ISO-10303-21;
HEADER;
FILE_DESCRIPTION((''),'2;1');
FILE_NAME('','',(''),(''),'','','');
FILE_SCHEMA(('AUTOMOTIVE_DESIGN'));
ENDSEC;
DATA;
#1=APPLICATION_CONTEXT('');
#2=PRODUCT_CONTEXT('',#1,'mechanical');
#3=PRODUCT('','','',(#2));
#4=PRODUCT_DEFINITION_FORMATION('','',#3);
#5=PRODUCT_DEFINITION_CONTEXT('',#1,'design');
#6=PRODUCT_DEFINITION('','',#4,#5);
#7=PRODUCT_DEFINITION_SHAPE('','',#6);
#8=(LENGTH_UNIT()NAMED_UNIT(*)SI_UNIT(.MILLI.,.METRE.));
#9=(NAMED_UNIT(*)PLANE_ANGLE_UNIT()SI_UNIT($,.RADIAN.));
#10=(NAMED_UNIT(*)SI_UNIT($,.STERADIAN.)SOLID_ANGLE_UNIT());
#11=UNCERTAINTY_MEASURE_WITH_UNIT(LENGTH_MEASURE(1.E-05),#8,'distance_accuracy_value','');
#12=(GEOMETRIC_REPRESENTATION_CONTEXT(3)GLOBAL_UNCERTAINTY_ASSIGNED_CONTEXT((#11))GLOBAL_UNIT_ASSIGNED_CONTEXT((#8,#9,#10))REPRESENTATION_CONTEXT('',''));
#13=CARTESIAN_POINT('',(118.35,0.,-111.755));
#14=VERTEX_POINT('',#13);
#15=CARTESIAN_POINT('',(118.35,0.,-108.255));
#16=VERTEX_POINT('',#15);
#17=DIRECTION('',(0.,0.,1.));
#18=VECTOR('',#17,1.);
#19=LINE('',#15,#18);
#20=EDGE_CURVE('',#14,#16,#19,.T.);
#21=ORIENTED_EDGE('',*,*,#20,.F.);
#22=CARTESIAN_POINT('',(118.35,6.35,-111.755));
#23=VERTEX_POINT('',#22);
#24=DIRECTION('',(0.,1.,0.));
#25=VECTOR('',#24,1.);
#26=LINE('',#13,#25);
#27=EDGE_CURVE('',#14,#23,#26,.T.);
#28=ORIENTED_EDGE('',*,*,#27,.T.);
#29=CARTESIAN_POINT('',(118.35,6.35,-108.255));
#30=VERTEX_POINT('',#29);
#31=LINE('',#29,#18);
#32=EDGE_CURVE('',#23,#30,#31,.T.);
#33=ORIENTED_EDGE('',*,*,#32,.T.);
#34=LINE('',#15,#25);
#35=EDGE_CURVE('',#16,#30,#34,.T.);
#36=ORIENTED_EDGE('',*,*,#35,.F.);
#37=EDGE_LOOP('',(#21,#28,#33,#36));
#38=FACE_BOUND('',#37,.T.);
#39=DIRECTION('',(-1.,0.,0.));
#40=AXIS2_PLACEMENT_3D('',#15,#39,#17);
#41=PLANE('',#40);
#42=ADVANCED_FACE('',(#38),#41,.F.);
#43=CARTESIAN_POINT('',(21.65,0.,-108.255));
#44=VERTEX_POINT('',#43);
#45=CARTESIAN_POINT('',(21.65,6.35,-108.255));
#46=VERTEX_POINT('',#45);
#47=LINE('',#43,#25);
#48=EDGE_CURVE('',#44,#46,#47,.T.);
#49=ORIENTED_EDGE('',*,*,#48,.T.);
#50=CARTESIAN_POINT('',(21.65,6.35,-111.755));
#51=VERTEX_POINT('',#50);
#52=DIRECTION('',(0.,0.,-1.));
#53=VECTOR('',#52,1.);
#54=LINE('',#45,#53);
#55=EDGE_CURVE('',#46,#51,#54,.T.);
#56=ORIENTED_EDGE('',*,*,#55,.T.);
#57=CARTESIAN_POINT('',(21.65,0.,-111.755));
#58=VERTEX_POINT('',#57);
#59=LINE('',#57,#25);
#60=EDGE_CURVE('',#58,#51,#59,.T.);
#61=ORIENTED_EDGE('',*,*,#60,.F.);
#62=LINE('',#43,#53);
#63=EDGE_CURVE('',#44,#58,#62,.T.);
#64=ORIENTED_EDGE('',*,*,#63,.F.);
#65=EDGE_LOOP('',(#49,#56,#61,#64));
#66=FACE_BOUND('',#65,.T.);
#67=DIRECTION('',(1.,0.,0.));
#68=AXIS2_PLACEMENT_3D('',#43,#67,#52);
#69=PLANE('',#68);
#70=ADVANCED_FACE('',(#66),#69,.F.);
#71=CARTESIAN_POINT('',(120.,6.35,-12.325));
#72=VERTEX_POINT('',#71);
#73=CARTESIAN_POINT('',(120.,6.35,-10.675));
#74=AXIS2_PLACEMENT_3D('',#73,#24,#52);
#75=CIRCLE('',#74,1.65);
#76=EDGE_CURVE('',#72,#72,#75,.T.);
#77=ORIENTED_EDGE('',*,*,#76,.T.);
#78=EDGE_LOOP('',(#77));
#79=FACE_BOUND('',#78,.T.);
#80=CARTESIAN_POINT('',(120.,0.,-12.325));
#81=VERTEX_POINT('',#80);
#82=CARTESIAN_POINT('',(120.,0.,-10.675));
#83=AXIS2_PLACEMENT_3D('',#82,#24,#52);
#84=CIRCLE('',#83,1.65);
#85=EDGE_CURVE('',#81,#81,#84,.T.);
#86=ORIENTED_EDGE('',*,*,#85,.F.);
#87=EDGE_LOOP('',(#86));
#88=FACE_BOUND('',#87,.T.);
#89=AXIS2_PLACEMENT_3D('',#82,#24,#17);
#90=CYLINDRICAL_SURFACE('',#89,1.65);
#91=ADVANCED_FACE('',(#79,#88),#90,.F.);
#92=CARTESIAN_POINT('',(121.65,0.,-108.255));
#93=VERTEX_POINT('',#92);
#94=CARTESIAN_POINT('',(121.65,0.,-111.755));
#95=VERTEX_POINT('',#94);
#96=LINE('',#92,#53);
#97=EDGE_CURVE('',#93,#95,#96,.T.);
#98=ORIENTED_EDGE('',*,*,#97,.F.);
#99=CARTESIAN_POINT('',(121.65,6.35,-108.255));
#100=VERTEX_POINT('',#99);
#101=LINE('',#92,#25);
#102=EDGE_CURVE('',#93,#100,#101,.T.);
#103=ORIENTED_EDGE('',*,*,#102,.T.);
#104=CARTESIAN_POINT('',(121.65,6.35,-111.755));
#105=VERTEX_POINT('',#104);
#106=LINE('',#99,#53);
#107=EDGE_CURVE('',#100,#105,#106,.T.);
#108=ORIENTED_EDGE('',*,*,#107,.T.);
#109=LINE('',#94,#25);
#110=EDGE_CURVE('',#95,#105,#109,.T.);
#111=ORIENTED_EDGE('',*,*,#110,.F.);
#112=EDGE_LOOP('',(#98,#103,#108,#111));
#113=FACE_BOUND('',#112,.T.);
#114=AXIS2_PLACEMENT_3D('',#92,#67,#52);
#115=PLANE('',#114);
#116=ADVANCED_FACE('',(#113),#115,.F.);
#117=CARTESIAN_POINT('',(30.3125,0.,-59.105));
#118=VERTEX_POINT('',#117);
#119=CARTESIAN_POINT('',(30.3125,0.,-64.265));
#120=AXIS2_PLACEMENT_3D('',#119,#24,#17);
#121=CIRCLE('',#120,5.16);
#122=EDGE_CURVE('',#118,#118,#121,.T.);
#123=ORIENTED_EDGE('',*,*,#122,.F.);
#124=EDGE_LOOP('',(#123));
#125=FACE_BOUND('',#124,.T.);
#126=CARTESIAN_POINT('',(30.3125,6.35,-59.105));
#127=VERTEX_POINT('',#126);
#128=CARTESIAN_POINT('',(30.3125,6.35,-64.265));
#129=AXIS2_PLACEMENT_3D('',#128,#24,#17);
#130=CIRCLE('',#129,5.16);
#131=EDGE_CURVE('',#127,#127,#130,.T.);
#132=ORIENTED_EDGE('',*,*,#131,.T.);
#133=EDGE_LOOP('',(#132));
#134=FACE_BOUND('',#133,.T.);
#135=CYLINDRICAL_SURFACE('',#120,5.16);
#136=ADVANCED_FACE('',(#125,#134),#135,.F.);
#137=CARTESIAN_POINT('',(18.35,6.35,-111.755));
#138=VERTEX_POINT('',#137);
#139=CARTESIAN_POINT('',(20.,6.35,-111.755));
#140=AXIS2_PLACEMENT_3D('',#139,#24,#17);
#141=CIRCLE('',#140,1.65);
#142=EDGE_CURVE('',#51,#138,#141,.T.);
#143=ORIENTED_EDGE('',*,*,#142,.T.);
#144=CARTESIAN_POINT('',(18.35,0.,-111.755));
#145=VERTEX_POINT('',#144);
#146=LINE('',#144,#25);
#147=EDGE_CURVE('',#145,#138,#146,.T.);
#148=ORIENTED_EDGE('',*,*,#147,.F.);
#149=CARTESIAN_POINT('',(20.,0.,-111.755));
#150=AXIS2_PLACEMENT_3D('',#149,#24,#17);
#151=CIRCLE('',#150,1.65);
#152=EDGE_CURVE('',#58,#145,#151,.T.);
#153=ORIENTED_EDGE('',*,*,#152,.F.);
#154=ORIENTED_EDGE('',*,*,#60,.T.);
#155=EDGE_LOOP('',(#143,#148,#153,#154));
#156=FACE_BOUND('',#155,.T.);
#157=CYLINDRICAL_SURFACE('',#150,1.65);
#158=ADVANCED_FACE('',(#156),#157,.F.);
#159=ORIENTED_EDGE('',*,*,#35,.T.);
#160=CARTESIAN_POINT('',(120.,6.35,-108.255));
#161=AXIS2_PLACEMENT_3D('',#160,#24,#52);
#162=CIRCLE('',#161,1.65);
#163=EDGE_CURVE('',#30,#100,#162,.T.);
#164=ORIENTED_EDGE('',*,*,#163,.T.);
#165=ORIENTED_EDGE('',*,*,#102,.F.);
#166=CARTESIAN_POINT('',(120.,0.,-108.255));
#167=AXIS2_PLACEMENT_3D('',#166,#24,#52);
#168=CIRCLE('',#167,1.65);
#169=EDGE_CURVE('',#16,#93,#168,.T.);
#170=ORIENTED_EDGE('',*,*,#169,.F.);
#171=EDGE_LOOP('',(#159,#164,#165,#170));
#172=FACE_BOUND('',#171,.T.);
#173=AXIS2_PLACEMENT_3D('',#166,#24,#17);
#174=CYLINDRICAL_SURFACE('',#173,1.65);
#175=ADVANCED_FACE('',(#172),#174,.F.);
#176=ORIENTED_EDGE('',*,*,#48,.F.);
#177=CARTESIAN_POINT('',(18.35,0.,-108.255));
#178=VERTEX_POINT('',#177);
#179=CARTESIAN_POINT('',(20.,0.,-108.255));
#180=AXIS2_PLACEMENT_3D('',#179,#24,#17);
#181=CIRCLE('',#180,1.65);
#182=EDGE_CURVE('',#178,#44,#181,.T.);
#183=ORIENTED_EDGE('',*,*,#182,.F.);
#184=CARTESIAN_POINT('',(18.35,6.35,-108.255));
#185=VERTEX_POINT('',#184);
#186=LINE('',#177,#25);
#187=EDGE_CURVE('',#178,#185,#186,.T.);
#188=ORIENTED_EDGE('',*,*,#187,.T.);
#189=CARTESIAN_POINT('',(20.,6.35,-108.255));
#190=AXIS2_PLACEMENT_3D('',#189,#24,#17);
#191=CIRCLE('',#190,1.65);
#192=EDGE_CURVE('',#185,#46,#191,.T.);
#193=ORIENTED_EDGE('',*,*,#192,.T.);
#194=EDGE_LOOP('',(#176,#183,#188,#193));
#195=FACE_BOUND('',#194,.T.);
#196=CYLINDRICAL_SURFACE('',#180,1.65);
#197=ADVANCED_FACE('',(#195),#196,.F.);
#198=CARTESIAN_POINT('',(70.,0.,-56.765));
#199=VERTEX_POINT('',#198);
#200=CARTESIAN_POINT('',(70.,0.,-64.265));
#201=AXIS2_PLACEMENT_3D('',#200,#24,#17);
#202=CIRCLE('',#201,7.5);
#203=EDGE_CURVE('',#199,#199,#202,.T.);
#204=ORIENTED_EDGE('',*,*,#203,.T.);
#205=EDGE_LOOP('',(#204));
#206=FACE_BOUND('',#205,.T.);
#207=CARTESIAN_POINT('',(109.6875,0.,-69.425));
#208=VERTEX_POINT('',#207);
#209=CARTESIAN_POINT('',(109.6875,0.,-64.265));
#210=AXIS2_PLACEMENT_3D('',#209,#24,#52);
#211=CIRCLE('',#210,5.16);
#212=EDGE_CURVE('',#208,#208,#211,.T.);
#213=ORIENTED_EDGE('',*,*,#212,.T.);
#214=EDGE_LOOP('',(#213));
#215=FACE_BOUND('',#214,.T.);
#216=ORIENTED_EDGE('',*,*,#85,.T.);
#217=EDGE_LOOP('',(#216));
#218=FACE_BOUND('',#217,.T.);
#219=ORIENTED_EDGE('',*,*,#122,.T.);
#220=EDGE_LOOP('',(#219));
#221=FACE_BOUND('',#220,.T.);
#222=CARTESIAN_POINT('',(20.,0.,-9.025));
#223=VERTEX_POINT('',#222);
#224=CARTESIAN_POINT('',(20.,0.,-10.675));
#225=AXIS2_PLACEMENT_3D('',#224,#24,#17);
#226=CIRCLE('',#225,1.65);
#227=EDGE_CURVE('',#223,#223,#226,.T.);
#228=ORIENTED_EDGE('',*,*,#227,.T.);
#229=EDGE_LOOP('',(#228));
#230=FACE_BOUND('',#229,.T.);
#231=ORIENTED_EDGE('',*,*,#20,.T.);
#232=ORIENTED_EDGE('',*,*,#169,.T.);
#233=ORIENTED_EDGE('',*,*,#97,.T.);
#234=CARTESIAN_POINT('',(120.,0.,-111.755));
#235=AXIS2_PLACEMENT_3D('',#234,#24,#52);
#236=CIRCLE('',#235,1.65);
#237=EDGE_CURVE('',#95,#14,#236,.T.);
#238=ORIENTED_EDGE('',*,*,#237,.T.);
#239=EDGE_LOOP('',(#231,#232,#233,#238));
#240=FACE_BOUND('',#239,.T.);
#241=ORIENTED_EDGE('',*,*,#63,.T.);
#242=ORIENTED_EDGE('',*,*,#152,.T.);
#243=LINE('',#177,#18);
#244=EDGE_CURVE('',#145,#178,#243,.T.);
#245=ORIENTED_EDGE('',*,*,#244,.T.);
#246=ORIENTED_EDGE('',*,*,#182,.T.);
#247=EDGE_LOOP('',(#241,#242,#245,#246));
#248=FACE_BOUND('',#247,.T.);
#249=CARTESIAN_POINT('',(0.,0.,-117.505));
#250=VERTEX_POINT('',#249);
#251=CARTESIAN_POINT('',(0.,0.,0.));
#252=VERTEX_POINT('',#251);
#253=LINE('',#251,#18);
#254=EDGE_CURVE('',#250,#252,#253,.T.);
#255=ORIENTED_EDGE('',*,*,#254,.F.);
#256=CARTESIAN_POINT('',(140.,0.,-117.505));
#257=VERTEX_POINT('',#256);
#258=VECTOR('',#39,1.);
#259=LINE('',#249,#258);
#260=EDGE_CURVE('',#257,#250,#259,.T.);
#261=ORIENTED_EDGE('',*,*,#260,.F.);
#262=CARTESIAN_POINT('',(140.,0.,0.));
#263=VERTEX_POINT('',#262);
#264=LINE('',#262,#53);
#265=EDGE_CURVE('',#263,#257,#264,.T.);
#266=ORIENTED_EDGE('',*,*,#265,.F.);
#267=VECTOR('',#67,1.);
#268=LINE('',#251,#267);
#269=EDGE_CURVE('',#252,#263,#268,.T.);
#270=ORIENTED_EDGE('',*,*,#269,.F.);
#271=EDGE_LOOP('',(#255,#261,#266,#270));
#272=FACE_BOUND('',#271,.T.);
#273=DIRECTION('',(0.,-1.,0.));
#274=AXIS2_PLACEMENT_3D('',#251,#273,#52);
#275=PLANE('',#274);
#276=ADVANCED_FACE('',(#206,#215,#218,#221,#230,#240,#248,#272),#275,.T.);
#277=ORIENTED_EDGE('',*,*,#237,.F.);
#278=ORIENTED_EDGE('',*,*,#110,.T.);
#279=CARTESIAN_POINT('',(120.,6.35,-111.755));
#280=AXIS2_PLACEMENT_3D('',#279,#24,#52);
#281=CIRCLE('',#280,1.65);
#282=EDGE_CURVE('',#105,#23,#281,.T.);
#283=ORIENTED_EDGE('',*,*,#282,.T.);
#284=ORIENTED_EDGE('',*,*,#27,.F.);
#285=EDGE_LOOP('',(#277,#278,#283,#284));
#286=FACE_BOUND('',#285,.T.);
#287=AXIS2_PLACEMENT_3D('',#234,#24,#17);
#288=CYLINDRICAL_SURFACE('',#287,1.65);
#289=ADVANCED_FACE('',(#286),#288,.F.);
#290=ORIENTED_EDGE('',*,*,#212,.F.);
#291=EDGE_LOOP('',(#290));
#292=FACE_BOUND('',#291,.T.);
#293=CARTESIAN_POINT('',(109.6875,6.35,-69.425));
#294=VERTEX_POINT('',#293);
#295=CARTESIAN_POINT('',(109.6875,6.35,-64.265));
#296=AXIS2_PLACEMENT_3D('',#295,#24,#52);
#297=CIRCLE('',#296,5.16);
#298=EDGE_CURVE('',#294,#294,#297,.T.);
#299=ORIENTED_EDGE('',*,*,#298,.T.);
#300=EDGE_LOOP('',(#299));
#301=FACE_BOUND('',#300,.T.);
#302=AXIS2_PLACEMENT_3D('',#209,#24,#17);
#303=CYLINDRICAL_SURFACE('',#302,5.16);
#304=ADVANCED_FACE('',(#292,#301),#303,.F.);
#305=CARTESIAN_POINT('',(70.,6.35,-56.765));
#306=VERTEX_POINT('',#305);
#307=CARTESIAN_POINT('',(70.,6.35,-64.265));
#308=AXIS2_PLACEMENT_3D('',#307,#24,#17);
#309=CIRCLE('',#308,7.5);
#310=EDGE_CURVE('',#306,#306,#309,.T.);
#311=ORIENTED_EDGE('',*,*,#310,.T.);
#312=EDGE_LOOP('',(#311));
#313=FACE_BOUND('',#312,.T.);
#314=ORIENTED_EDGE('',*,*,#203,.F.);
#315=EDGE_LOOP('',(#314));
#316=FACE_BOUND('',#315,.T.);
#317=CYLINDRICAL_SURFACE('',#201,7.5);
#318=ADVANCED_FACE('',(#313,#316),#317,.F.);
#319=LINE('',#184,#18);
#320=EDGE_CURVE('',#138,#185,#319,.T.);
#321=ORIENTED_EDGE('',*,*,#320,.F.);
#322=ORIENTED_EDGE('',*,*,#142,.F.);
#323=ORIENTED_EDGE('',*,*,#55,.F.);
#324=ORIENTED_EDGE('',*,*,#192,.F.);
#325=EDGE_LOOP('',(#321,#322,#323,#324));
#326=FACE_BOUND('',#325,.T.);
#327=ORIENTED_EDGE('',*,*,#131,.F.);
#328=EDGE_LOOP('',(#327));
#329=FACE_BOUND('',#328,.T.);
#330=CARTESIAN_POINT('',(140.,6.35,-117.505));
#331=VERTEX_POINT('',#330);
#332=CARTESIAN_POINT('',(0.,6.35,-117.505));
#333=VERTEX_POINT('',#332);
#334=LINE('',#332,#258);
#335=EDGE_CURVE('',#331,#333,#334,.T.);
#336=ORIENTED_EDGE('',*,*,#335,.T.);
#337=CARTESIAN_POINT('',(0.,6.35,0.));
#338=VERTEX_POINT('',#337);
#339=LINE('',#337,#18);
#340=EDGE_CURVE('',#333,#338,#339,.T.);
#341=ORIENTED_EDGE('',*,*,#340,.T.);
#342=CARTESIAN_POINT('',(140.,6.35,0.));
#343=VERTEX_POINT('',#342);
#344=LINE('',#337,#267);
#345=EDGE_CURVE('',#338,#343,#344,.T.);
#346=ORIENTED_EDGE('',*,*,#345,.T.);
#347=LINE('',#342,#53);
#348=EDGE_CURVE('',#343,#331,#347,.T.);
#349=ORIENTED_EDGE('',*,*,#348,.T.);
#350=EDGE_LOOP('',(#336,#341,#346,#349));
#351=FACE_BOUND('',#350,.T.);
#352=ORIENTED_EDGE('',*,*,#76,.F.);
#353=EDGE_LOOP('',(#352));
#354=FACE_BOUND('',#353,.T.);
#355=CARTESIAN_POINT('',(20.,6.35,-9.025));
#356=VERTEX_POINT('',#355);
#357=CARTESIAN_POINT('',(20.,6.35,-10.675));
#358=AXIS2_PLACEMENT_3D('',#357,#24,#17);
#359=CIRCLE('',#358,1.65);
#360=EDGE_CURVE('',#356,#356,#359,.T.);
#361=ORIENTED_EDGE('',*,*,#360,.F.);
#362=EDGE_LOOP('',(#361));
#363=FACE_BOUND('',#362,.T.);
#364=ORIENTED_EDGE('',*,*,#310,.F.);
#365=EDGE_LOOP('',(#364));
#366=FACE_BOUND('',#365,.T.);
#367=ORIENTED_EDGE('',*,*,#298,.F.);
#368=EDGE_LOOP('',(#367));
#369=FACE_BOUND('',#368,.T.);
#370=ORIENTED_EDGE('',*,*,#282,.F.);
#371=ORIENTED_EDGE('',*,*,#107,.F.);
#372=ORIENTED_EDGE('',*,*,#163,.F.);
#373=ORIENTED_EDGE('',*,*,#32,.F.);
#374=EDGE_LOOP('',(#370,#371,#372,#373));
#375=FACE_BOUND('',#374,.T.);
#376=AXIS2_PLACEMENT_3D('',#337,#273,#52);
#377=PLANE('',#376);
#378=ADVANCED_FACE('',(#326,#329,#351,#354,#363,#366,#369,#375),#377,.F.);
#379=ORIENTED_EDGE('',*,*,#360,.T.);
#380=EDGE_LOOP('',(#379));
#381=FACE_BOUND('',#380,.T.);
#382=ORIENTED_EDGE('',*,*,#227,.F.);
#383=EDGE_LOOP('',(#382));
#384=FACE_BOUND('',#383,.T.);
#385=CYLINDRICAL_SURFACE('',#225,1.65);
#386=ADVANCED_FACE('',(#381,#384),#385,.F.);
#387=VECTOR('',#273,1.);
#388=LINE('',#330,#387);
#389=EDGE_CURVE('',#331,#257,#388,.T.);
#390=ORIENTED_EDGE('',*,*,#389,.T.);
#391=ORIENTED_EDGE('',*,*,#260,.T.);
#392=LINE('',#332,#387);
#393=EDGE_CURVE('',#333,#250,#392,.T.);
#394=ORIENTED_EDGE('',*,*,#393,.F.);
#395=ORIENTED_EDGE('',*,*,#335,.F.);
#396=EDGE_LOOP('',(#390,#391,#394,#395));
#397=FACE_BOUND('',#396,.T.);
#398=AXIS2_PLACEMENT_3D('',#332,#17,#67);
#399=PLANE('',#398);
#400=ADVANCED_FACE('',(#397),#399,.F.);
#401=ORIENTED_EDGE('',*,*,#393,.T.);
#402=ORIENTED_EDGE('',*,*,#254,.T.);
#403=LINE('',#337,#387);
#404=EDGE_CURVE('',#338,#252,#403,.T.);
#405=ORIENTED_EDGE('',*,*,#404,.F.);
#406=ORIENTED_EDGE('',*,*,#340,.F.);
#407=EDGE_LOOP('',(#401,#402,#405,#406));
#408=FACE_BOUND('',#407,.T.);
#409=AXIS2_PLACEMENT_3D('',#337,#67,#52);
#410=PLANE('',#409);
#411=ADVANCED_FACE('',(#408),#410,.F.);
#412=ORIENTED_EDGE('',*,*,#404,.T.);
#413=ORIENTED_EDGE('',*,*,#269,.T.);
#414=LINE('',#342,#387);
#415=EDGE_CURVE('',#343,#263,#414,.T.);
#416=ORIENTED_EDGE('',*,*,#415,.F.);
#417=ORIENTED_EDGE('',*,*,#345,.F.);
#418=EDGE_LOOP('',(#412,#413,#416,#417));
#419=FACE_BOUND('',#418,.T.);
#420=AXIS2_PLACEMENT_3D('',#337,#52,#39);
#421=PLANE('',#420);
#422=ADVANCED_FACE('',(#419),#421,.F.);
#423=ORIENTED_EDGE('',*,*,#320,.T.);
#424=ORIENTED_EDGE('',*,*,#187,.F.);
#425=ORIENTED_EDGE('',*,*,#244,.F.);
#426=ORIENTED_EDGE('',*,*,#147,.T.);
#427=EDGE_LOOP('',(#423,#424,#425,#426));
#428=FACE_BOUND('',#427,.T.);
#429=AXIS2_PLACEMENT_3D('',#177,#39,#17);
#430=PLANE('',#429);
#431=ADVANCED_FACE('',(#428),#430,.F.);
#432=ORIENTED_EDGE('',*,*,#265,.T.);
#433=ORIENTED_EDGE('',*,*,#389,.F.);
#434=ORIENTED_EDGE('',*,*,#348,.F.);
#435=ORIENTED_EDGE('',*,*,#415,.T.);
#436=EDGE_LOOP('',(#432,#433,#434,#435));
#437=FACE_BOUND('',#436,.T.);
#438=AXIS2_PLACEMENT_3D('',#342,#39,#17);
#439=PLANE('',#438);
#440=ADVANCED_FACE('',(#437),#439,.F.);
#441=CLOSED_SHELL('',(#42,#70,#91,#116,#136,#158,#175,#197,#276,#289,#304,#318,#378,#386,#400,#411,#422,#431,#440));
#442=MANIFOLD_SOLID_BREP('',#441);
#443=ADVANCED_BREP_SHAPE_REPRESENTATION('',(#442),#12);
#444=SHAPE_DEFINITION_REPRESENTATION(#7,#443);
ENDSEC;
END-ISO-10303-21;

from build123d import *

# Parameters (mm, degrees)
SKETCH1_W           = 140
SKETCH1_H           = 117.505
BOSS_EXTRUDE1_DEPTH = 6.35
SKETCH2_R           = 1.65
SKETCH2_R_2         = 7.5
SKETCH2_R_3         = 5.16
CUT_EXTRUDE1_DEPTH  = 7.35


with BuildPart() as part:
    # Sketch1 → Boss-Extrude1 (new body)
    with BuildSketch(Plane(origin=(0, 0, 0), x_dir=(1, 0, 0), z_dir=(0, 1, 0))):
        with Locations((70, 58.7525)):
            Rectangle(SKETCH1_W, SKETCH1_H)
    extrude(amount=BOSS_EXTRUDE1_DEPTH)

    # Sketch2 → Cut-Extrude1 (cut, through all)
    with BuildSketch(Plane(origin=(0, 6.35, 0), x_dir=(1, 0, 0), z_dir=(0, 1, 0))):
        with Locations((20, 10.675)):
            Circle(SKETCH2_R)
        with Locations((70, 64.265)):
            Circle(SKETCH2_R_2)
        with Locations((30.3125, 64.265)):
            Circle(SKETCH2_R_3)
        with Locations((120, 10.675)):
            Circle(SKETCH2_R)
        with Locations((109.6875, 64.265)):
            Circle(SKETCH2_R_3)
        with BuildLine():
            Line((18.35, 108.255), (18.35, 111.755))
            ThreePointArc((18.35, 111.755), (20, 113.405), (21.65, 111.755))
            Line((21.65, 111.755), (21.65, 108.255))
            ThreePointArc((21.65, 108.255), (20, 106.605), (18.35, 108.255))
        make_face()
        with BuildLine():
            Line((121.65, 108.255), (121.65, 111.755))
            ThreePointArc((121.65, 111.755), (120, 113.405), (118.35, 111.755))
            Line((118.35, 111.755), (118.35, 108.255))
            ThreePointArc((118.35, 108.255), (120, 106.605), (121.65, 108.255))
        make_face()
    extrude(amount=-CUT_EXTRUDE1_DEPTH, mode=Mode.SUBTRACT)


solid = part.part
